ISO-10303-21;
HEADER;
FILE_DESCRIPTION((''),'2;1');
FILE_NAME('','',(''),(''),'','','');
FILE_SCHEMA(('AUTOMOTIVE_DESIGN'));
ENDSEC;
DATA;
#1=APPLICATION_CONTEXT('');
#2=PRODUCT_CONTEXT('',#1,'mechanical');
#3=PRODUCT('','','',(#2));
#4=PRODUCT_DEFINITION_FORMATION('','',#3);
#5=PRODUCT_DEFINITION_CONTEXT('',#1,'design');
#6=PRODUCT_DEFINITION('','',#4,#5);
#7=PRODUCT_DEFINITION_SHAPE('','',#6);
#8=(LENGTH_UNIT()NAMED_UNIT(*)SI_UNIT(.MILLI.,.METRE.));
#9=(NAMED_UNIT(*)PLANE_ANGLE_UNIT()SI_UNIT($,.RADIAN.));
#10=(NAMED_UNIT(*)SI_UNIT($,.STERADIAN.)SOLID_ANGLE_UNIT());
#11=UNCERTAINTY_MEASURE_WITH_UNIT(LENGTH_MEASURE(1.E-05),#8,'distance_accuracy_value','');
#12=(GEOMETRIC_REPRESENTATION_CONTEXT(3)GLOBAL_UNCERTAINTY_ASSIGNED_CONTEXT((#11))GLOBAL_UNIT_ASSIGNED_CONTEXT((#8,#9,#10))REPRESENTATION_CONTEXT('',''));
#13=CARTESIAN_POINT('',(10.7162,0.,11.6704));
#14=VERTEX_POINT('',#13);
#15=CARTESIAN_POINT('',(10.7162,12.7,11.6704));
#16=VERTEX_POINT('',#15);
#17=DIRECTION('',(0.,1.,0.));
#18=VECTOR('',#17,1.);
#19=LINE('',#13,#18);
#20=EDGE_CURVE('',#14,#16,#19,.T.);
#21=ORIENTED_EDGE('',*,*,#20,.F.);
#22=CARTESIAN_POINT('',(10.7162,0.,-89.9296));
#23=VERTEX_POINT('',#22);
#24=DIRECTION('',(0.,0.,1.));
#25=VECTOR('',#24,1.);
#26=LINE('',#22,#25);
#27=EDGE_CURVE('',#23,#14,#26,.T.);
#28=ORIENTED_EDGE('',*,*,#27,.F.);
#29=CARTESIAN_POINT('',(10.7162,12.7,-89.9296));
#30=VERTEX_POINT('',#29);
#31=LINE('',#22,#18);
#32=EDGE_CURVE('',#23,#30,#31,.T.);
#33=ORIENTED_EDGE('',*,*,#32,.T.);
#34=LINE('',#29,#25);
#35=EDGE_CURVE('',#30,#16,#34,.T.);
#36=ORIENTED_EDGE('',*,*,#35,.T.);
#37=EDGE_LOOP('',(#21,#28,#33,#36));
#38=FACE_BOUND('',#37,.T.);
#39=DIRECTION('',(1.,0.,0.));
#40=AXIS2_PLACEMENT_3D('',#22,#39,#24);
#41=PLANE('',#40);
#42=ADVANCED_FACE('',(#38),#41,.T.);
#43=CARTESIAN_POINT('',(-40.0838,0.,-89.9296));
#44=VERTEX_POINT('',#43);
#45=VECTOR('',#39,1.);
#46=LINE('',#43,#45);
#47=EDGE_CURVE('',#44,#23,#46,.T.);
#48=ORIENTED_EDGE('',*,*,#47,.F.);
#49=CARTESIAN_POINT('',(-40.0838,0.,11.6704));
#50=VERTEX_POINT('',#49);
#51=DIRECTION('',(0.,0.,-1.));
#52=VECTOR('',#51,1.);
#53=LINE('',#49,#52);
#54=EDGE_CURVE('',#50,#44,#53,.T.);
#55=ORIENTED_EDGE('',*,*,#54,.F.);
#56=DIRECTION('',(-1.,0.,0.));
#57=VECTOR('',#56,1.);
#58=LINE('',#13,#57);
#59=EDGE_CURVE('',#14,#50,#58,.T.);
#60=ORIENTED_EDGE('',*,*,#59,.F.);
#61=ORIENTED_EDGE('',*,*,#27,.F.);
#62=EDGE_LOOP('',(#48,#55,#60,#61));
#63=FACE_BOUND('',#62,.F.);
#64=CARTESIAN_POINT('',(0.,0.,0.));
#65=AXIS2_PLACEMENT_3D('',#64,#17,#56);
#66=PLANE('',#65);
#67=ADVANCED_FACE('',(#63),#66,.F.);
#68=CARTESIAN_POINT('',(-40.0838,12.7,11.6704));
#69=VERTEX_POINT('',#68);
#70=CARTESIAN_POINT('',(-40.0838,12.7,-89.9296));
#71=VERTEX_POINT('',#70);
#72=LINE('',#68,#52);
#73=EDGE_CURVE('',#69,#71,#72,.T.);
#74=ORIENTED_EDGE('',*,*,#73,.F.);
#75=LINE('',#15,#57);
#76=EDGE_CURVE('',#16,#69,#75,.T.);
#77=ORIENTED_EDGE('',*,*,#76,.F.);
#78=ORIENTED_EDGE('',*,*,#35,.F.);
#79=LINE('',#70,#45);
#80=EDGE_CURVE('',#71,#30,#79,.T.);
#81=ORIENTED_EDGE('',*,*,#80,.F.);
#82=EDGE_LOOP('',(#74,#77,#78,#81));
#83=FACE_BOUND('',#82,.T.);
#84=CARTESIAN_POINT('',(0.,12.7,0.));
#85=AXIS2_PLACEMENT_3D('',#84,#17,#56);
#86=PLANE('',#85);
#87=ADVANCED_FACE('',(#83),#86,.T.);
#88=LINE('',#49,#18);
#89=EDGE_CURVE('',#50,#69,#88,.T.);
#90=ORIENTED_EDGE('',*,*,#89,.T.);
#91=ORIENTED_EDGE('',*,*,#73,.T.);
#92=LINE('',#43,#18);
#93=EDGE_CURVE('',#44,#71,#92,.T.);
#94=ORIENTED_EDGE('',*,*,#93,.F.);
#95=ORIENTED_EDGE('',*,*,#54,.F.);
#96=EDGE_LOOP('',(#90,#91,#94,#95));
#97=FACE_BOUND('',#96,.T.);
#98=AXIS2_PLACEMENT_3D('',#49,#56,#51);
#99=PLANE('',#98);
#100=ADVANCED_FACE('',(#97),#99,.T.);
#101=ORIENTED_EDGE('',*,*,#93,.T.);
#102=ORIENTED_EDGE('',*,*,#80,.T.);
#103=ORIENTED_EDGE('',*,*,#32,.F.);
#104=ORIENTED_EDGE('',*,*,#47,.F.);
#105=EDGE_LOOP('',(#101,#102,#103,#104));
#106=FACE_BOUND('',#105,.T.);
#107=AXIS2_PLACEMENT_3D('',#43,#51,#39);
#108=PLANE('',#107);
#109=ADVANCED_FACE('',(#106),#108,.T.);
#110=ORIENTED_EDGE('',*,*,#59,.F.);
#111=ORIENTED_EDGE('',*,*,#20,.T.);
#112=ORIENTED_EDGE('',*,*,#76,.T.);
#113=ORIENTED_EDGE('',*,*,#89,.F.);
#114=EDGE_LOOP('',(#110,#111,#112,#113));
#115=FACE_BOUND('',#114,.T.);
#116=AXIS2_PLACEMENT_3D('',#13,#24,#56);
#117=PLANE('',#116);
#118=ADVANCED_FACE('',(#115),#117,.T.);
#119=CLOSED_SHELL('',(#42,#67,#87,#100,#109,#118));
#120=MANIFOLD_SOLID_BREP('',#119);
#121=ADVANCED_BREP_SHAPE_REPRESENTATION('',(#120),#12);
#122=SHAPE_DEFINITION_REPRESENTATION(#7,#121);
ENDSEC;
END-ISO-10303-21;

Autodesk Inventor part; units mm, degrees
ref_plane "YZ Plane" through (0, 0, 0) normal (1, 0, 0) x (0, 1, 0)
ref_plane "XZ Plane" through (0, 0, 0) normal (0, 1, 0) x (-1, 0, 0)
ref_plane "XY Plane" through (0, 0, 0) normal (0, 0, 1) x (1, 0, 0)
sketch "Sketch1" plane through (0, 0, 0) normal (0, 1, 0) x (-1, 0, 0)
  line L0 (-10.7162, 11.6704) -> (40.0838, 11.6704)
  line L1 (40.0838, 11.6704) -> (40.0838, -89.9296)
  line L2 (40.0838, -89.9296) -> (-10.7162, -89.9296)
  line L3 (-10.7162, -89.9296) -> (-10.7162, 11.6704)
  point P0 (0, 0)
  dimension "d0" = 50.8
  dimension "d1" = 101.6
extrude "Extrusion1" add sketch "Sketch1" along normal blind 12.7
properties part number "IOIO"
